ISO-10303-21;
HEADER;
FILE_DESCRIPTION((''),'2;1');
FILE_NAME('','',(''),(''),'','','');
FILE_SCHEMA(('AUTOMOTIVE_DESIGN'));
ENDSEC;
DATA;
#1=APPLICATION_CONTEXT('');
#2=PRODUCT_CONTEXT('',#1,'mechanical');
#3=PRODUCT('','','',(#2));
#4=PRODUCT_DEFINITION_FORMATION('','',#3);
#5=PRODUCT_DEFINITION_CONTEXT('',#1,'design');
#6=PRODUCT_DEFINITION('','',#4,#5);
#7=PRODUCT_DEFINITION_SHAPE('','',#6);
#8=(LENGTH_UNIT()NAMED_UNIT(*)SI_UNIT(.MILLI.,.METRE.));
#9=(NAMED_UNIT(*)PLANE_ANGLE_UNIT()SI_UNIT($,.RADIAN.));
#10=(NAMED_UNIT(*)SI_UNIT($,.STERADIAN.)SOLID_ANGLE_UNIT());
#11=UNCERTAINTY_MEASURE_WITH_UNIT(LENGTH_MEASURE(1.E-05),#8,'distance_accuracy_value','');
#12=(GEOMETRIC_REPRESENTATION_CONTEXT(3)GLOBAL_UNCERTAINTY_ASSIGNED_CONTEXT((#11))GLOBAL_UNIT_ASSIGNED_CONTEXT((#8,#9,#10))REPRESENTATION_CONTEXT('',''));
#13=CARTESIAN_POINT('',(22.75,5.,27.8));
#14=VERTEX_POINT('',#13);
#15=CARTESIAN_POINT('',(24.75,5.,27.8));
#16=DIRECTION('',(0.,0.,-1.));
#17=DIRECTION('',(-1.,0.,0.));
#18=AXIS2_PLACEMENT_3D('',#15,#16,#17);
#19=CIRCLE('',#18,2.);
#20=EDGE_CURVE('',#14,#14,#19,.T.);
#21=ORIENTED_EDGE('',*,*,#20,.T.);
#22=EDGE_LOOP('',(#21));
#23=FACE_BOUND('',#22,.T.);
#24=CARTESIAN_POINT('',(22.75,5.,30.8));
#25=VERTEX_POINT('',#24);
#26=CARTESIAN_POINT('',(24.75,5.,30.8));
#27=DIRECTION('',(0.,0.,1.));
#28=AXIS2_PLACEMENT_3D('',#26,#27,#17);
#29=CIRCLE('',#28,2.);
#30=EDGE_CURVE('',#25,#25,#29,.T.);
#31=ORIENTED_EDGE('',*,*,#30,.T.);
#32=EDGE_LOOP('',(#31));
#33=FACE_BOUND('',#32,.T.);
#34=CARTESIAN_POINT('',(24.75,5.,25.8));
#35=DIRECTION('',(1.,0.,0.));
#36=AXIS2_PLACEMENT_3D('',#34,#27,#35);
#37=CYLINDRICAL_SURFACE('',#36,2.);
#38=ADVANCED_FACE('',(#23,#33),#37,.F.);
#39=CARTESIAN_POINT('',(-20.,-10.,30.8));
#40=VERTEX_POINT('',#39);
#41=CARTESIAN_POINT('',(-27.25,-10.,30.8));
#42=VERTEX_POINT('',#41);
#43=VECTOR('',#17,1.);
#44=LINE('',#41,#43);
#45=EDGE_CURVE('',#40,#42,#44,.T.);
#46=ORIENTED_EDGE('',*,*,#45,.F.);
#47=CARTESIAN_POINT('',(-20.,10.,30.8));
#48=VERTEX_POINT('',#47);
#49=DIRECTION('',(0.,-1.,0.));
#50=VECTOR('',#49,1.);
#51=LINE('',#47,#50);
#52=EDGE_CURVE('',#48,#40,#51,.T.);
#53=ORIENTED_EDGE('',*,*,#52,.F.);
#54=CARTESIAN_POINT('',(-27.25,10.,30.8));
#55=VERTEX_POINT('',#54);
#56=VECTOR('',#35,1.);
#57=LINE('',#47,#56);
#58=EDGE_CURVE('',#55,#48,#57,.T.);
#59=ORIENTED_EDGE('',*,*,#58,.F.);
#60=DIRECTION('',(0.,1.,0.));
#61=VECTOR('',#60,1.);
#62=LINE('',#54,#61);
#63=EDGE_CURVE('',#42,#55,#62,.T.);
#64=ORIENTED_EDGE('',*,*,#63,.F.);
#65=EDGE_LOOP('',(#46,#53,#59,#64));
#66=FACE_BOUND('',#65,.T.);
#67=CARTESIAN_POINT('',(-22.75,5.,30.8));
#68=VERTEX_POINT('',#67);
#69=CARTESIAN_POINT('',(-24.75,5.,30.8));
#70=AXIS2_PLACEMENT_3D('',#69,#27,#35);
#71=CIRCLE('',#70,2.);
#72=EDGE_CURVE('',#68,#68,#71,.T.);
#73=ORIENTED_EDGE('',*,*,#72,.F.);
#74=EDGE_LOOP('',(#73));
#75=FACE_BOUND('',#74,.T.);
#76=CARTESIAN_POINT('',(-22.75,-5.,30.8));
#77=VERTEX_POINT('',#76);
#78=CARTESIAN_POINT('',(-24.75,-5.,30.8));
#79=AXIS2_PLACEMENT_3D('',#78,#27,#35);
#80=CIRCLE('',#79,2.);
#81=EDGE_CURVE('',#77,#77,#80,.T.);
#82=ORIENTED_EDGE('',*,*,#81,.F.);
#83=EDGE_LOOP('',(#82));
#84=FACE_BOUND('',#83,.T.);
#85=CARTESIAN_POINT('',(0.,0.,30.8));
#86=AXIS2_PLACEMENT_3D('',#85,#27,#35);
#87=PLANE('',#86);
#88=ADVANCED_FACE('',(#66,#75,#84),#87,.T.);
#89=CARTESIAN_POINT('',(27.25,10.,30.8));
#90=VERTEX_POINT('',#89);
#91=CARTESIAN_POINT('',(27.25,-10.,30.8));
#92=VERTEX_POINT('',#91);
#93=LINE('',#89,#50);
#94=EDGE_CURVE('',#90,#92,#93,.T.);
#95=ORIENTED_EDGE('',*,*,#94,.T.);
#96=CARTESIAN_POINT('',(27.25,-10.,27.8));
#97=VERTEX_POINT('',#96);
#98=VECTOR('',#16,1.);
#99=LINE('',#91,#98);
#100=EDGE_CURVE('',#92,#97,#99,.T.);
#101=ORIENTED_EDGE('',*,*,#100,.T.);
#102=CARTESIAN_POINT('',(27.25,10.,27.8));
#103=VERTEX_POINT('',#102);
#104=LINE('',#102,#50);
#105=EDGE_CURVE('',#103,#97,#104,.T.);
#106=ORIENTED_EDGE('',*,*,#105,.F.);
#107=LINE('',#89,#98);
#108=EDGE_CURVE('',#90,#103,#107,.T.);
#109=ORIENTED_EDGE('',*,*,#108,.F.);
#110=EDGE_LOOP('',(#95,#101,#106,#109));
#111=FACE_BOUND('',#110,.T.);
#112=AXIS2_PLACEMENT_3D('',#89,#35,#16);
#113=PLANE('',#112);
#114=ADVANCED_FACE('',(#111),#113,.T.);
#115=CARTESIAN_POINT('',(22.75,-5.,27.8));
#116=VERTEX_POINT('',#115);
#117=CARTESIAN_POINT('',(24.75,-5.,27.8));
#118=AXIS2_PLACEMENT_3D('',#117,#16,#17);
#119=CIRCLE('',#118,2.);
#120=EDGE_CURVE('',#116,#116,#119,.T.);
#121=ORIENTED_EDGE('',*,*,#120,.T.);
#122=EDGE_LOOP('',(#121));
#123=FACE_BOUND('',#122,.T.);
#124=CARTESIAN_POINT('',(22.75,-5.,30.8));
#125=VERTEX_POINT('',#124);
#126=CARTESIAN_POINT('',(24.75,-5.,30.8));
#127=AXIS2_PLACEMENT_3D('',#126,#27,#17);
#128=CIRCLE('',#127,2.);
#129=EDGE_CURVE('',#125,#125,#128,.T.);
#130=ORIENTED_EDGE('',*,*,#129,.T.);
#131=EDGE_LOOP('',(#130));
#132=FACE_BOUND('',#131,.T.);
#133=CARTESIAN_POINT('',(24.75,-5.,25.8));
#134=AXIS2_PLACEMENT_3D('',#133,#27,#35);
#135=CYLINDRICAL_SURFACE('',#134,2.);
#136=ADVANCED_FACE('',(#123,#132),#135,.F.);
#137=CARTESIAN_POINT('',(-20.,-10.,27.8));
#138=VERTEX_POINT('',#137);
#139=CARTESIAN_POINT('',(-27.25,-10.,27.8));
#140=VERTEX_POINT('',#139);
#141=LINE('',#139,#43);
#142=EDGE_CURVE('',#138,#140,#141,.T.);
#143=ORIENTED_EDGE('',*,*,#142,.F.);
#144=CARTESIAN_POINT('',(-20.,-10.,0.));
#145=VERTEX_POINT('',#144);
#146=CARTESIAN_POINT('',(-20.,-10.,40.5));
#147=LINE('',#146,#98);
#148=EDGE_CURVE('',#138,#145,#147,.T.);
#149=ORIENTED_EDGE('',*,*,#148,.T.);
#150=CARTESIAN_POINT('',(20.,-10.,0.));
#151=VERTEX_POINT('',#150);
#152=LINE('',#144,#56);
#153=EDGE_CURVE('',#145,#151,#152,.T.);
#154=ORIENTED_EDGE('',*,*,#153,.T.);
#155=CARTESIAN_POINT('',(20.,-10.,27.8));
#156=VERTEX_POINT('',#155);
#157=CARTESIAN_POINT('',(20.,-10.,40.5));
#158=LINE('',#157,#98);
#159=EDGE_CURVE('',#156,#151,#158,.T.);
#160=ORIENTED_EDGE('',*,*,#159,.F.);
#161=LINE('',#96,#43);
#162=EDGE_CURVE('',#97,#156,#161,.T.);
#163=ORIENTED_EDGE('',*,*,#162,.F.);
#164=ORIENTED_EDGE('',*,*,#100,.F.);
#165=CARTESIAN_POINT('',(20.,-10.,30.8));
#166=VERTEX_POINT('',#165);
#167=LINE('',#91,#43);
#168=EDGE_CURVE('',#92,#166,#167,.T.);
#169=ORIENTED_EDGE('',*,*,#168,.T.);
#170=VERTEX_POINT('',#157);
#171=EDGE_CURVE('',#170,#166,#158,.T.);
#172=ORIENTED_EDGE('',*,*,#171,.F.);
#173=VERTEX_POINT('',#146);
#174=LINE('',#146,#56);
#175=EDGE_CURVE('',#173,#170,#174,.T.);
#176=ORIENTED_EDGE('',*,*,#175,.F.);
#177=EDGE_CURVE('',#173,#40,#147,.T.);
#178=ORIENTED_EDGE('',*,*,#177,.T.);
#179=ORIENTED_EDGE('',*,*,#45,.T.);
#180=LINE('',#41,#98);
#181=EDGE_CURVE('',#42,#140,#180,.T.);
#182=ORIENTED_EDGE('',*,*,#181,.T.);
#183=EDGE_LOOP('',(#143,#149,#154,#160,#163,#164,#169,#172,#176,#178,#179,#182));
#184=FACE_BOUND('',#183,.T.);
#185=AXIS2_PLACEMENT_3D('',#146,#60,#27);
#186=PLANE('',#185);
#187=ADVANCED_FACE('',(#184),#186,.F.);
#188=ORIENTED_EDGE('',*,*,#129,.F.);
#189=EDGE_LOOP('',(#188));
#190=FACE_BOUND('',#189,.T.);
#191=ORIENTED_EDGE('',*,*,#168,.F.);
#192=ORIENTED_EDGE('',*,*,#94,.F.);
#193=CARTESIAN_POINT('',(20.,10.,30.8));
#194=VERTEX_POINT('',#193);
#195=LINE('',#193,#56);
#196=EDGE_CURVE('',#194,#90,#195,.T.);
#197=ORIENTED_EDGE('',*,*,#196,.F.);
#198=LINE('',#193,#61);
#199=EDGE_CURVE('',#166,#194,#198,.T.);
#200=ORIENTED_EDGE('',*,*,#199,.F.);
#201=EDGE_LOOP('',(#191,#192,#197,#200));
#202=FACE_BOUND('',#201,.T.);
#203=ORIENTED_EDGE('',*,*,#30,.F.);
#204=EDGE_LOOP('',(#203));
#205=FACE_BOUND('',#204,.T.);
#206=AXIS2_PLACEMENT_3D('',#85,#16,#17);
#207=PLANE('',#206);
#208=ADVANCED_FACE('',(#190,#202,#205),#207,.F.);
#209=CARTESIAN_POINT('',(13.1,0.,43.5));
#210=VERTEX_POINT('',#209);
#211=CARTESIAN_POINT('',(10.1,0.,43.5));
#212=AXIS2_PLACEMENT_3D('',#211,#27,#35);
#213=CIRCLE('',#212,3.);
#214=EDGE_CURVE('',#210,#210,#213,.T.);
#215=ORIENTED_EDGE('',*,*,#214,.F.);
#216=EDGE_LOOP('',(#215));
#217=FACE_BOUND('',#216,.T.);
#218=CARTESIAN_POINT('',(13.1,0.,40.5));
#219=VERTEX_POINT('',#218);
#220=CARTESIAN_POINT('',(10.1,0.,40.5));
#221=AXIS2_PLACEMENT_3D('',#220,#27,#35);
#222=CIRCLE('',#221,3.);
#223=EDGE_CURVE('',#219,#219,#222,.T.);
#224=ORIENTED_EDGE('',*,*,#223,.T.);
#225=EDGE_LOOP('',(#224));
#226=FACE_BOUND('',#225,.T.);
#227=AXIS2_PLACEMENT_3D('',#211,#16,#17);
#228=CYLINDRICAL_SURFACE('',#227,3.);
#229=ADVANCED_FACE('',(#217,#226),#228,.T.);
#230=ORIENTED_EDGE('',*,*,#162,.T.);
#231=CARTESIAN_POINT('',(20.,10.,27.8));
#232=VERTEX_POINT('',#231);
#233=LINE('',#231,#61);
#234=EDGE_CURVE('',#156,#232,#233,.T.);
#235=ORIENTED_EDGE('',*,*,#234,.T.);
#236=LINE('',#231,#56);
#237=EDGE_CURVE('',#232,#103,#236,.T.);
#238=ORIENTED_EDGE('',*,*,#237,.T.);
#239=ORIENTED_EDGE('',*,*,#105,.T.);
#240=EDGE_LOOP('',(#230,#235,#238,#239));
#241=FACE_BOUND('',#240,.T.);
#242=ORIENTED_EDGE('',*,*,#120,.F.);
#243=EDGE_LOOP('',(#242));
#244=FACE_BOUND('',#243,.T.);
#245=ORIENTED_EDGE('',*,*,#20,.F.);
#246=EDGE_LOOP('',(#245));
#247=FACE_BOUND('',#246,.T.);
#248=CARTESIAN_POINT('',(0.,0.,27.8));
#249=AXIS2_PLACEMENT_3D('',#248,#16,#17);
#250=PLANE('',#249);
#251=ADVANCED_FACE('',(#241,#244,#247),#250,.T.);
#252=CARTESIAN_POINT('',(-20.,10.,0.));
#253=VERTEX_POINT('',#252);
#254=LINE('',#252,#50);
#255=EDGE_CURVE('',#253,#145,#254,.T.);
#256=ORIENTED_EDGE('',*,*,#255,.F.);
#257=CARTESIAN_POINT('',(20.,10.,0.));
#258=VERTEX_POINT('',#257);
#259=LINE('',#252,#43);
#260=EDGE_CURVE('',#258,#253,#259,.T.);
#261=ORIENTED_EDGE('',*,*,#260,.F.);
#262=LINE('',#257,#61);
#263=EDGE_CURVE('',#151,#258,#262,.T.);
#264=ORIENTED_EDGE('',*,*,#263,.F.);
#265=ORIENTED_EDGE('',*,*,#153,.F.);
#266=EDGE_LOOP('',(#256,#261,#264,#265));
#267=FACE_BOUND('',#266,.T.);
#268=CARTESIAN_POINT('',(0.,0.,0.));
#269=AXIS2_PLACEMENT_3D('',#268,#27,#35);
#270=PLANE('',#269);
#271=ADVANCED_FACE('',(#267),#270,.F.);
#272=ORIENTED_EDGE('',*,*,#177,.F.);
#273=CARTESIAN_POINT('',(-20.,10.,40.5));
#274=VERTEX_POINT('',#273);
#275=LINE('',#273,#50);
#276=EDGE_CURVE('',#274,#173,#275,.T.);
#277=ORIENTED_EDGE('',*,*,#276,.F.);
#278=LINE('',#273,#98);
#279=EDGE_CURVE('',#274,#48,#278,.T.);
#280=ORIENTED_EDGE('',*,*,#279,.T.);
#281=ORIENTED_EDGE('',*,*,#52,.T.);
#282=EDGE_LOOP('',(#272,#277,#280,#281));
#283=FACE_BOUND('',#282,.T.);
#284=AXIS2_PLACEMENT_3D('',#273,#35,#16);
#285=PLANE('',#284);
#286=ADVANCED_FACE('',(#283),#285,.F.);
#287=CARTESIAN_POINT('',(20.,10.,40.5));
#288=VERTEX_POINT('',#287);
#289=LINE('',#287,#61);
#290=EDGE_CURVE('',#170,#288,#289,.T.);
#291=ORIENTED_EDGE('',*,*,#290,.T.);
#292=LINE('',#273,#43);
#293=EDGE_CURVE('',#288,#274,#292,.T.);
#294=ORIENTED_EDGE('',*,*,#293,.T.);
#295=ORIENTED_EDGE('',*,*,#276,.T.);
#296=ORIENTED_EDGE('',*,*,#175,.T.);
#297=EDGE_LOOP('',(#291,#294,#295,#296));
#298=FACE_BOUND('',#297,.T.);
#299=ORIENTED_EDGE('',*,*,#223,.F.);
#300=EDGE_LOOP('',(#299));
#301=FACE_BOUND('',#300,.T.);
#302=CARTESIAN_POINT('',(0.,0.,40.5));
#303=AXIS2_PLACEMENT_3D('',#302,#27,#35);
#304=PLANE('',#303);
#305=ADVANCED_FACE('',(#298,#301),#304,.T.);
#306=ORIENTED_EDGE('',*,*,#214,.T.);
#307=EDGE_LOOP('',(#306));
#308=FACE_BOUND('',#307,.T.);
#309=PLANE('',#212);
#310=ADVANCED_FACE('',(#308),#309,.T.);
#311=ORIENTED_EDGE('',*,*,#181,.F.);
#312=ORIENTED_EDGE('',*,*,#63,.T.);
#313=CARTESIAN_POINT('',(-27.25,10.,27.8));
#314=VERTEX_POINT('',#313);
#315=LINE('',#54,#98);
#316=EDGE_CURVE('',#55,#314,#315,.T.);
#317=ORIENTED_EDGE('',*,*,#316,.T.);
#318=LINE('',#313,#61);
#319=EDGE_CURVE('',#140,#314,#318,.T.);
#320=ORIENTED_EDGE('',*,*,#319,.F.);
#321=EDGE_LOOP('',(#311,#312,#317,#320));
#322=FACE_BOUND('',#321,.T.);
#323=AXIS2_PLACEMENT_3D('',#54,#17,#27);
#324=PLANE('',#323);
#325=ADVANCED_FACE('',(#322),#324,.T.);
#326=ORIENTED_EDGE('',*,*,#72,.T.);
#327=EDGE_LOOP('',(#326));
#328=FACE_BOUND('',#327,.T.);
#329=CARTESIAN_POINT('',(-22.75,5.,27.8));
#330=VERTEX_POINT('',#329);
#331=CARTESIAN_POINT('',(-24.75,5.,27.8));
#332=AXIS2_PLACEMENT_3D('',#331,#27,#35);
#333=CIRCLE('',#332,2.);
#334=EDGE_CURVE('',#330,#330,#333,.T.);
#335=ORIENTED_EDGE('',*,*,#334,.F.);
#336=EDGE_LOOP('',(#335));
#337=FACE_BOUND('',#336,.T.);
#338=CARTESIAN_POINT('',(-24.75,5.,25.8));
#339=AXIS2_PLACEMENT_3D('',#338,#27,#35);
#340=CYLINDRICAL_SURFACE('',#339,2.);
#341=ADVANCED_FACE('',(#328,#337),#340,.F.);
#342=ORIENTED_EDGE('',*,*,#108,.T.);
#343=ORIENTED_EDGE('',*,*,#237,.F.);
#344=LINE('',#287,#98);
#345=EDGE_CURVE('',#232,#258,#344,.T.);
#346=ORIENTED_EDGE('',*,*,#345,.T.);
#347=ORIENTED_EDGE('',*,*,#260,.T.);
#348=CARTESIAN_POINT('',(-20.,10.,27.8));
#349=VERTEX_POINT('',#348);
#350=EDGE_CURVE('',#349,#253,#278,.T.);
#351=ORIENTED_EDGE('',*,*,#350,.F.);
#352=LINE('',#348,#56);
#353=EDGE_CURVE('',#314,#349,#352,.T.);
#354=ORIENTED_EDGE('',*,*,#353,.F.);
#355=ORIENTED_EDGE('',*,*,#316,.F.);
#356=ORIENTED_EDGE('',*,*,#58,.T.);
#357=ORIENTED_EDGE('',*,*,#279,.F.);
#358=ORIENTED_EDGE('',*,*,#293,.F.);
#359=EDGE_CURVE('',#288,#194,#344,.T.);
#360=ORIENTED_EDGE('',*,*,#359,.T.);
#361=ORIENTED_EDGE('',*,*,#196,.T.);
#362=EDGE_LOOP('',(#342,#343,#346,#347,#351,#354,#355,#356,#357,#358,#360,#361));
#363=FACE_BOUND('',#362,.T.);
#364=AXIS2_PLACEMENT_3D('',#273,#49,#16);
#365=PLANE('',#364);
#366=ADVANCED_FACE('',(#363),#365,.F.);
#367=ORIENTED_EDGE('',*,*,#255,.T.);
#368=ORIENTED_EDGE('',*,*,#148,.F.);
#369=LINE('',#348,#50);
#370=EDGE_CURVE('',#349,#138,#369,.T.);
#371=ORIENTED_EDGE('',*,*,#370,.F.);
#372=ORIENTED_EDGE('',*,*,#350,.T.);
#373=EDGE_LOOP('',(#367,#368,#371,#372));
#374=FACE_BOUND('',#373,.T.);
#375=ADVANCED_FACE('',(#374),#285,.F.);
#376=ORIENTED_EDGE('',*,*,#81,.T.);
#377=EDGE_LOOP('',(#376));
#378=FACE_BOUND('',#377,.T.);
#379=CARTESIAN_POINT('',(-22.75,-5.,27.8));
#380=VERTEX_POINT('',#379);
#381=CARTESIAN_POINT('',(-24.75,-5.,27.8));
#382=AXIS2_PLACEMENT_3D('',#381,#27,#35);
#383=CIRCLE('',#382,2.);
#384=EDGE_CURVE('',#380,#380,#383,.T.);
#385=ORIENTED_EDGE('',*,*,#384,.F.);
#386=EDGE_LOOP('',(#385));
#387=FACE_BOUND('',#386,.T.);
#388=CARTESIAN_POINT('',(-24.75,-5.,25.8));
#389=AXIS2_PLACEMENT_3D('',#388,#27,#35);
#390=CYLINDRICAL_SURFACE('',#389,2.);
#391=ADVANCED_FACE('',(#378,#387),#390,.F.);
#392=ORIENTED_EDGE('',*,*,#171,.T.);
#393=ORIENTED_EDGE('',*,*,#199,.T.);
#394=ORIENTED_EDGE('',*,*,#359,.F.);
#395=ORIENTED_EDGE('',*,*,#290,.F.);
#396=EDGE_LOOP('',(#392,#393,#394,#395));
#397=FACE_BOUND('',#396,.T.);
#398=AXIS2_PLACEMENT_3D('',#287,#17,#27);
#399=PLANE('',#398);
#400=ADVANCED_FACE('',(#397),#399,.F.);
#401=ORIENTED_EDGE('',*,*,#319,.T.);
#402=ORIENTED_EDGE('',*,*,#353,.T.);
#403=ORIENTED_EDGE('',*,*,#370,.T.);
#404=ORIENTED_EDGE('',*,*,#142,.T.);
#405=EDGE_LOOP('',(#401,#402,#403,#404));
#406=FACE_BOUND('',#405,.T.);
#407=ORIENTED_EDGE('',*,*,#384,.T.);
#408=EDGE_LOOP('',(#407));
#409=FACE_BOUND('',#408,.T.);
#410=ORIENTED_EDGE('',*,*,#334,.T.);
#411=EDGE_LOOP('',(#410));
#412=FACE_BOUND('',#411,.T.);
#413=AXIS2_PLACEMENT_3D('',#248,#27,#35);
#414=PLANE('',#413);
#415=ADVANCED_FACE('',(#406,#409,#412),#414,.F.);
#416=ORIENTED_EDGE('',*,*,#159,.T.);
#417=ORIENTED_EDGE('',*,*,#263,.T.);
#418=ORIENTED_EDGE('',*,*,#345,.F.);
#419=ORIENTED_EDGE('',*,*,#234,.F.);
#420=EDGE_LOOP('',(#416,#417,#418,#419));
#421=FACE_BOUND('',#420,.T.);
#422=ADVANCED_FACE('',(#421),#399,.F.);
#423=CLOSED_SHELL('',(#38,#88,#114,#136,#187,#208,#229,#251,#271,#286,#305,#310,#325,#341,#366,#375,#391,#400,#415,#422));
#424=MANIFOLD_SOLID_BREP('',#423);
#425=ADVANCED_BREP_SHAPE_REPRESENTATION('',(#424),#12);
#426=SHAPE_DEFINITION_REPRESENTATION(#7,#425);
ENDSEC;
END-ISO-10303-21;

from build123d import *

# Parameters (mm, degrees)
SKETCH_1_W          = 40
SKETCH_1_H          = 20
EXTRUDE_1_DEPTH     = 40.5
SKETCH_2_W          = 7.25
SKETCH_2_H          = 20
EXTRUDE_2_DEPTH     = 3
SKETCH_3_R          = 2
CUT_EXTRUDE_1_DEPTH = 5
SKETCH_4_R          = 3
EXTRUDE_3_DEPTH     = 3


with BuildPart() as part:
    # 草图1 → 凸台-拉伸1 (new body)
    with BuildSketch(Plane.XY):
        Rectangle(SKETCH_1_W, SKETCH_1_H)
    extrude(amount=EXTRUDE_1_DEPTH)

    # 草图2 → 凸台-拉伸2 (add)
    with BuildSketch(Plane(origin=(0, 0, 27.8), x_dir=(-1, 0, 0), z_dir=(0, 0, -1))):
        with Locations((-23.625, 0)):
            Rectangle(SKETCH_2_W, SKETCH_2_H)
        with Locations((23.625, 0)):
            Rectangle(SKETCH_2_W, SKETCH_2_H)
    extrude(amount=-EXTRUDE_2_DEPTH)

    # 草图3 → 切除-拉伸1 (cut)
    with BuildSketch(Plane.XY.offset(30.8)):
        with Locations((-24.75, 5)):
            Circle(SKETCH_3_R)
        with Locations((-24.75, -5)):
            Circle(SKETCH_3_R)
        with Locations(Location((24.75, -5, 0), (0, 0, 180))):
            Circle(SKETCH_3_R)
        with Locations(Location((24.75, 5, 0), (0, 0, 180))):
            Circle(SKETCH_3_R)
    extrude(amount=-CUT_EXTRUDE_1_DEPTH, mode=Mode.SUBTRACT)

    # 草图4 → 凸台-拉伸3 (add)
    with BuildSketch(Plane.XY.offset(40.5)):
        with Locations((10.1, 0)):
            Circle(SKETCH_4_R)
    extrude(amount=EXTRUDE_3_DEPTH)


solid = part.part
